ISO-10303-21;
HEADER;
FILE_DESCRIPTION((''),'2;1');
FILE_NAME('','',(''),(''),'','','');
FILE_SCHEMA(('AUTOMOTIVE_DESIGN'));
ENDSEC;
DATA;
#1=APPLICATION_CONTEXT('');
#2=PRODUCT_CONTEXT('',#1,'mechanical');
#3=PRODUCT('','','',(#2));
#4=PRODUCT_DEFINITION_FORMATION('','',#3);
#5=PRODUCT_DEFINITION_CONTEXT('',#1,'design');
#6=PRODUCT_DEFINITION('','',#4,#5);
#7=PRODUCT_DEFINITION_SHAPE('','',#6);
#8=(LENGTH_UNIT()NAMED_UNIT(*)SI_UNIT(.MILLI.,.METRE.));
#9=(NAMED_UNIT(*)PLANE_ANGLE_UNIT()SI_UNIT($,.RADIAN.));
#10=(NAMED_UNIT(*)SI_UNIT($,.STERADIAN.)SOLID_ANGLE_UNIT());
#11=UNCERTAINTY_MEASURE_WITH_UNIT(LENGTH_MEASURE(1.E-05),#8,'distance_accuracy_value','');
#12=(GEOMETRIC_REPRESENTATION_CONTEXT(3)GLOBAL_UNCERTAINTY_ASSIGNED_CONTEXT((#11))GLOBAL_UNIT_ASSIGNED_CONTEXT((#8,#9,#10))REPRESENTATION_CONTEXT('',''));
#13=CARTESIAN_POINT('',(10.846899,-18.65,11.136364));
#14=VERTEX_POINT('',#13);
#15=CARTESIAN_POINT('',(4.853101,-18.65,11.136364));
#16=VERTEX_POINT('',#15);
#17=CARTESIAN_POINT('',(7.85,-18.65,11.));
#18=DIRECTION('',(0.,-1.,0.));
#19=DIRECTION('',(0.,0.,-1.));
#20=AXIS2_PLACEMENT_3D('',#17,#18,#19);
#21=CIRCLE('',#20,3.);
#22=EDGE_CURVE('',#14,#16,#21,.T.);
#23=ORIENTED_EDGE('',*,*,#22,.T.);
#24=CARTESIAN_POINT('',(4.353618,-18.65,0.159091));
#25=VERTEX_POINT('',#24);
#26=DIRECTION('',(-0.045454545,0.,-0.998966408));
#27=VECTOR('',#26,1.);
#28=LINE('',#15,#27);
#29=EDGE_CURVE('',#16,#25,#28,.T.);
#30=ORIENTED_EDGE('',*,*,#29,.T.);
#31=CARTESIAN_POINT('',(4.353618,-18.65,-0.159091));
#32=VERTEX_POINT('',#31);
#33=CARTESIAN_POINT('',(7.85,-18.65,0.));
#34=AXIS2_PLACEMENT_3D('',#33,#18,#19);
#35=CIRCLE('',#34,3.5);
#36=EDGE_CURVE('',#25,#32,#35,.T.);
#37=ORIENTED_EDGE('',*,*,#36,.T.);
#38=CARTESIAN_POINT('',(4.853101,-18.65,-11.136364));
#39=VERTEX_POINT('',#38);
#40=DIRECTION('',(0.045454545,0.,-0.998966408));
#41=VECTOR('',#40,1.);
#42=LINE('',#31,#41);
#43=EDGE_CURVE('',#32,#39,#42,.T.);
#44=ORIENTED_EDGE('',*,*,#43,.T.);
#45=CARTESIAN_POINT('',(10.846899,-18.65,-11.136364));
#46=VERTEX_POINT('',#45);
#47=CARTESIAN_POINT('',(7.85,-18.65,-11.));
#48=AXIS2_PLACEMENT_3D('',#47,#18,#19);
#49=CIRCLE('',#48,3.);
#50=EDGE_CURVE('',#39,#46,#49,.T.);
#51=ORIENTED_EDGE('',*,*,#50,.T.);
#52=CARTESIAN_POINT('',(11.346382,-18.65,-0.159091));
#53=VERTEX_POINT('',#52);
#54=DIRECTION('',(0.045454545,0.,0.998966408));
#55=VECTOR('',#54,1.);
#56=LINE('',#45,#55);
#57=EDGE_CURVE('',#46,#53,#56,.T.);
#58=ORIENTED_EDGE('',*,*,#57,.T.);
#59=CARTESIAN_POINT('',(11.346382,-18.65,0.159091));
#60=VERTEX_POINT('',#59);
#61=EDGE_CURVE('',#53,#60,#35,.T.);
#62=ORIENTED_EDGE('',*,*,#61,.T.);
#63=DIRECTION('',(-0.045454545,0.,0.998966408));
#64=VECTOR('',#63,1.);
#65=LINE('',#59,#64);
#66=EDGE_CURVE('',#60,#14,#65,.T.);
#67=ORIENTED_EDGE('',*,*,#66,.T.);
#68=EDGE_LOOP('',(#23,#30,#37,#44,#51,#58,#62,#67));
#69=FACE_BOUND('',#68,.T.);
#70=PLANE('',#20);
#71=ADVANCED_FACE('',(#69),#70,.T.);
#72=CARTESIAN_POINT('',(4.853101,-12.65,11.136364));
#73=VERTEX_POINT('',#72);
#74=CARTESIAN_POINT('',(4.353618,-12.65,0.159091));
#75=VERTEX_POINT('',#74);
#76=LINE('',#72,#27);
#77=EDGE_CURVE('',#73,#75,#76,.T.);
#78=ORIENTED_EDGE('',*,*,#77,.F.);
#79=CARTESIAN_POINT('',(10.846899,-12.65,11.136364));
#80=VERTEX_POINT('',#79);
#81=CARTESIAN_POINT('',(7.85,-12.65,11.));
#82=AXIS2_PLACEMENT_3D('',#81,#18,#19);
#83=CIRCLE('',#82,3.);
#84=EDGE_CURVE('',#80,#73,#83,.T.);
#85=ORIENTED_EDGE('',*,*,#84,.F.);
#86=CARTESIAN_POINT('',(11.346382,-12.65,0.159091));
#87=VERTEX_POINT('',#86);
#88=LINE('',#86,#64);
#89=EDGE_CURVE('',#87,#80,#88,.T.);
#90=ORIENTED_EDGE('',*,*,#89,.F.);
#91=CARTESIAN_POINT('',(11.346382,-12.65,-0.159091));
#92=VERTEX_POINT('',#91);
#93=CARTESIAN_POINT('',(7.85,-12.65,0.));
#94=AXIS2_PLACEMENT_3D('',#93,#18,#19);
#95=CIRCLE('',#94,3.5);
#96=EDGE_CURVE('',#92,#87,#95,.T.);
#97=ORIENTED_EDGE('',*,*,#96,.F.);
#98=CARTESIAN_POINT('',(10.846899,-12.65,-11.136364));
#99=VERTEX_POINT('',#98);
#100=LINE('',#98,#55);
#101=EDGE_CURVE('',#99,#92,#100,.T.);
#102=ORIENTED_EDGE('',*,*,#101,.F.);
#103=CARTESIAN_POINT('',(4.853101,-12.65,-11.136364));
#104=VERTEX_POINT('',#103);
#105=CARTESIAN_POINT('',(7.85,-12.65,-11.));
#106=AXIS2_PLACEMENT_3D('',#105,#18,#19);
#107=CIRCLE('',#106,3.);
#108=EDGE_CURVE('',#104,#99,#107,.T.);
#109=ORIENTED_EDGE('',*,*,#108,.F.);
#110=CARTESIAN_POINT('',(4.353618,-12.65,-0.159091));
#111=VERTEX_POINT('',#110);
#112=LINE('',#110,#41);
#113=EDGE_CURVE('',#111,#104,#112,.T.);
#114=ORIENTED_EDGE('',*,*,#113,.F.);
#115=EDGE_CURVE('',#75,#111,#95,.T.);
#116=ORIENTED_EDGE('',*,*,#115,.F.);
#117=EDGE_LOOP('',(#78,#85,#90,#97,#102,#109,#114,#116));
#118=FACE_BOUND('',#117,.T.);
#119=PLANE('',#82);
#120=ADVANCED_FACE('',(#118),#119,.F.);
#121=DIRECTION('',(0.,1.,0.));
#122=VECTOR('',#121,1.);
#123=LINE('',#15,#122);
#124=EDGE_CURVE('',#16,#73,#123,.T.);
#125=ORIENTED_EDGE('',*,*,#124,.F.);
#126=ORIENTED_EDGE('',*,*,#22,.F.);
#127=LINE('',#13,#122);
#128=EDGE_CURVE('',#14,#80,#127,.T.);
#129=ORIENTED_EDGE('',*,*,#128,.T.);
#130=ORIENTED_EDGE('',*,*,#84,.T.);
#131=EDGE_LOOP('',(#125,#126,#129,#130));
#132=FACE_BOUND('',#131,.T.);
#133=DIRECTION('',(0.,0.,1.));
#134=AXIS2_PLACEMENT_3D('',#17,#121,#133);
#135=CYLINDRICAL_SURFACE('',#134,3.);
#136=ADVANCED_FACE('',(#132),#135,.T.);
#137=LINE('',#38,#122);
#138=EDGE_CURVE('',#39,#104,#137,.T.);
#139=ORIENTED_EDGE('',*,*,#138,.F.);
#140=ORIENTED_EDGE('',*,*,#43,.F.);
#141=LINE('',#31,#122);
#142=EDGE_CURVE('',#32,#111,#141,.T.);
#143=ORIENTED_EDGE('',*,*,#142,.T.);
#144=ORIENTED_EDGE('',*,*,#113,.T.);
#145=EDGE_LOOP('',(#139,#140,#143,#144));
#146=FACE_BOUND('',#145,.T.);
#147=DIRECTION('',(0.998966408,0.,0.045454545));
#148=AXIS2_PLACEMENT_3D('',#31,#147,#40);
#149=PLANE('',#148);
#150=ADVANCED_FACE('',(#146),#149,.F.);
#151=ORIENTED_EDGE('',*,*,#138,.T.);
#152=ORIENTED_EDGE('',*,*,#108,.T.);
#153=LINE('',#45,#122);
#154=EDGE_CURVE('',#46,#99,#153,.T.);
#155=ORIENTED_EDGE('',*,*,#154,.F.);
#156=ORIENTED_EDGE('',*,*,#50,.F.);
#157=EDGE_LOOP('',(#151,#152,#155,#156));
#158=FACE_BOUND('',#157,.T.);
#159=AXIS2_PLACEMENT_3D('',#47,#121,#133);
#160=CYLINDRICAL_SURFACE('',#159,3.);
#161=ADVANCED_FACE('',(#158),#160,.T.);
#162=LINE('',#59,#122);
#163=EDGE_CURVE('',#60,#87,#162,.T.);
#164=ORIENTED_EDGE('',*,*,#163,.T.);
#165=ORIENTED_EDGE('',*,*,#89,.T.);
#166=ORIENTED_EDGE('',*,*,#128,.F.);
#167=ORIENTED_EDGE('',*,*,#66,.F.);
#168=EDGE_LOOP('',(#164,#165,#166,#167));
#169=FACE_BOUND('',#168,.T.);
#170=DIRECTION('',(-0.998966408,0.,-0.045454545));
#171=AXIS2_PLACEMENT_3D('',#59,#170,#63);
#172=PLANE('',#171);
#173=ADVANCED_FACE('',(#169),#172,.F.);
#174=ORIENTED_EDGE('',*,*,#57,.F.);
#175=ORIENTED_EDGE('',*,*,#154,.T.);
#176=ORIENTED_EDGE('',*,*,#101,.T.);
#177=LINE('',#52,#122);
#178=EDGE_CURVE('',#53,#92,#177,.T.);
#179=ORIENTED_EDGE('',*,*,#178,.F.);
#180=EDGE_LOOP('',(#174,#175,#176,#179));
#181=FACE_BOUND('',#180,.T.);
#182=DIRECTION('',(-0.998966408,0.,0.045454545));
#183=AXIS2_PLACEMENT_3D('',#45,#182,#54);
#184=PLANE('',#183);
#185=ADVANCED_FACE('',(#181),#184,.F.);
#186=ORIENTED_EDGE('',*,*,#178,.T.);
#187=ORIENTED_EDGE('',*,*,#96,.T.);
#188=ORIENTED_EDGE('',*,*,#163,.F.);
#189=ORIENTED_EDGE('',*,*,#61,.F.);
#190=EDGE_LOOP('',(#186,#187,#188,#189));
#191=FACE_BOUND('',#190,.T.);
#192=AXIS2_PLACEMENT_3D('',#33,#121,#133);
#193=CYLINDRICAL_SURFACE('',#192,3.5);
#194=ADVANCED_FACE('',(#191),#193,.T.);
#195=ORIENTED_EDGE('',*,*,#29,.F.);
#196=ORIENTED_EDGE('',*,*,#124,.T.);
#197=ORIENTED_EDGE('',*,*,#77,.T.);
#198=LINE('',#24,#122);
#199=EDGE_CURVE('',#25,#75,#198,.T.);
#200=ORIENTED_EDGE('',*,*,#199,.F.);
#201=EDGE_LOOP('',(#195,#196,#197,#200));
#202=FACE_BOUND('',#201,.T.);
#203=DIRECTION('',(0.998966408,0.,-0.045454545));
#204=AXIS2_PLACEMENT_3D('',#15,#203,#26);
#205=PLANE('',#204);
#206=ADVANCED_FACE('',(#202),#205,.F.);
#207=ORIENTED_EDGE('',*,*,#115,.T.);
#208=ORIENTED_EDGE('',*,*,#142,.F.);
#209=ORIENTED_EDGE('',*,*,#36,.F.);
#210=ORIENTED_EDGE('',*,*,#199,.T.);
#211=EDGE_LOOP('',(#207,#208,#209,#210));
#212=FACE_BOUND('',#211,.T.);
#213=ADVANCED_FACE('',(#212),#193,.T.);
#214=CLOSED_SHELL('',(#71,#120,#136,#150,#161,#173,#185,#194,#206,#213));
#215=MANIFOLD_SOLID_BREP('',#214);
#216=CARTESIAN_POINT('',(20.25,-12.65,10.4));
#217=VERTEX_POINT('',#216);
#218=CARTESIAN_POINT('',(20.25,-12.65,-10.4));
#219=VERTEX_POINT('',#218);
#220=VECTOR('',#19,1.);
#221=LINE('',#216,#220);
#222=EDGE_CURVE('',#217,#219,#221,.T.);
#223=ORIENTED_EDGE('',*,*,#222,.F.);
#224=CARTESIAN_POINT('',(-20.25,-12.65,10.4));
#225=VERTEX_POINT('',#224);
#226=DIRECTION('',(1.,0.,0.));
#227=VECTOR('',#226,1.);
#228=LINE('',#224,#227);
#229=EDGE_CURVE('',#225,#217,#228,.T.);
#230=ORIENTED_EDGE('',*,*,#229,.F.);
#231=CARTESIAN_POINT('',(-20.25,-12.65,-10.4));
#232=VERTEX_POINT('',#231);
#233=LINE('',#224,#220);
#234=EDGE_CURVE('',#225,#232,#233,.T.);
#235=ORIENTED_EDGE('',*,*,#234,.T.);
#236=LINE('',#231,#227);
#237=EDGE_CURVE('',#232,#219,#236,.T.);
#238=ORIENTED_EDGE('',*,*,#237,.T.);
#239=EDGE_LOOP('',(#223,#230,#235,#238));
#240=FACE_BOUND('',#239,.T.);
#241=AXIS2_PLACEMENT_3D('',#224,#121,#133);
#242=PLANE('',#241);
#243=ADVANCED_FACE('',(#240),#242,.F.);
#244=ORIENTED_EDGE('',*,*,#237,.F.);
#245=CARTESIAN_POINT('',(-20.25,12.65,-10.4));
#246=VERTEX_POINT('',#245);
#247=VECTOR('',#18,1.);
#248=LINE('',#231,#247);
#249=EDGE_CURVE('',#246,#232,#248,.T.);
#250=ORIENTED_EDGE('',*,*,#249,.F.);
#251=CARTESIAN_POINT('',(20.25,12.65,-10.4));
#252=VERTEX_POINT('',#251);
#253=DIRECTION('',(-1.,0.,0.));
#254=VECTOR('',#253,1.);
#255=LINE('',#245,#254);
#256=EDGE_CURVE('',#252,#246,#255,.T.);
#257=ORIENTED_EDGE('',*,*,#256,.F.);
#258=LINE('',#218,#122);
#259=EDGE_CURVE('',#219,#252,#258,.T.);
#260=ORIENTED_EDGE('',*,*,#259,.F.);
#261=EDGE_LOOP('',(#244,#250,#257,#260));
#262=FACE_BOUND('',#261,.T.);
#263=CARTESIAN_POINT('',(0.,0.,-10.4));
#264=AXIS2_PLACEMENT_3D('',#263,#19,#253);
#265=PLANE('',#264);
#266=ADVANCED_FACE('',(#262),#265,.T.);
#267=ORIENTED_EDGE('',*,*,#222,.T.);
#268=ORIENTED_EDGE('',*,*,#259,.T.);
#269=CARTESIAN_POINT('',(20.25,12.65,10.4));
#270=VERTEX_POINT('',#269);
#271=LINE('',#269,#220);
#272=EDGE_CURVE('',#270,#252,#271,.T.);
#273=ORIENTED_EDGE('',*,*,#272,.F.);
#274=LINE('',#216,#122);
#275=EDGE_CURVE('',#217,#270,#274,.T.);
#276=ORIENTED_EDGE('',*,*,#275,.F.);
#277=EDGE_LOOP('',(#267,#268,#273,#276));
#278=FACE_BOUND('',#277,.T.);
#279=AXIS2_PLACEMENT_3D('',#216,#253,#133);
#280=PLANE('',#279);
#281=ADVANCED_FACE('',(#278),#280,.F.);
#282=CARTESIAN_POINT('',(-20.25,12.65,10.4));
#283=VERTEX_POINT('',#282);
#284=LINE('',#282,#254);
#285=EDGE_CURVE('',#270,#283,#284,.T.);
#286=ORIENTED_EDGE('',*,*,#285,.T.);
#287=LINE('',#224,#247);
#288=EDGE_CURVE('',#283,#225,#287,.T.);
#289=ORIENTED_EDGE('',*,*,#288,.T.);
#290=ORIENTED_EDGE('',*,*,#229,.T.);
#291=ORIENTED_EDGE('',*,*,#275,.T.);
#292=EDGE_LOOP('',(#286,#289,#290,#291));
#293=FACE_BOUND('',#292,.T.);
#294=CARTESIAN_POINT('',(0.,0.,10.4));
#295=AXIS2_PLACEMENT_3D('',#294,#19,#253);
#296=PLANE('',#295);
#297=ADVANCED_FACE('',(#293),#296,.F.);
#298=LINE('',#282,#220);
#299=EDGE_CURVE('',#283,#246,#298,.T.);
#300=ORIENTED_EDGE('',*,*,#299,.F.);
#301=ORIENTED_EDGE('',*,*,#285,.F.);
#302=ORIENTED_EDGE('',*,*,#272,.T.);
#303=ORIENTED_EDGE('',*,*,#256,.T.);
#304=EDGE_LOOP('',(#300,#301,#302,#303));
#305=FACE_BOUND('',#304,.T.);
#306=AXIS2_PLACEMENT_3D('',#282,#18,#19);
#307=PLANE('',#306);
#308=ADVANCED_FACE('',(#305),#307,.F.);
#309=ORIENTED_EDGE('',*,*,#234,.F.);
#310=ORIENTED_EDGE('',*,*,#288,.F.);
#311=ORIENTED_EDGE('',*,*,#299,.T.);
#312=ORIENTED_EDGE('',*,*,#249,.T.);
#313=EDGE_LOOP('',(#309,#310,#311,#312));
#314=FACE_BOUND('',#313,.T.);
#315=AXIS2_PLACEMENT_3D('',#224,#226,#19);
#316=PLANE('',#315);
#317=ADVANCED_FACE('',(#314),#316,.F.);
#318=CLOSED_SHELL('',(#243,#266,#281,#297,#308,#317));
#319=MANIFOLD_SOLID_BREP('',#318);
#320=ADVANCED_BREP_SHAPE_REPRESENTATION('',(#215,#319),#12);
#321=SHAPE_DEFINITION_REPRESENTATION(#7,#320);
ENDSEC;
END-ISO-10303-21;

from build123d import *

# Parameters (mm, degrees)
SKETCH1_W           = 40.5
SKETCH1_H           = 25.3
BOSS_EXTRUDE1_DEPTH = 10.4
BOSS_EXTRUDE2_DEPTH = 6


with BuildPart() as part:
    # Sketch1 → Boss-Extrude1 (new, symmetric)
    with BuildSketch(Plane.XY):
        Rectangle(SKETCH1_W, SKETCH1_H)
    extrude(amount=BOSS_EXTRUDE1_DEPTH, both=True)


with BuildPart() as body_2:
    # Sketch3 → Boss-Extrude2 (new body)
    with BuildSketch(Plane.XZ.offset(12.65)):
        with BuildLine():
            Line((4.353617572, -0.159090909), (4.853100776, -11.136363636))
            ThreePointArc((4.853100776, -11.136363636), (7.85, -14), (10.846899224, -11.136363636))
            Line((10.846899224, -11.136363636), (11.346382428, -0.159090909))
            ThreePointArc((11.346382428, -0.159090909), (11.35, 0), (11.346382428, 0.159090909))
            Line((11.346382428, 0.159090909), (10.846899224, 11.136363636))
            ThreePointArc((10.846899224, 11.136363636), (7.85, 14), (4.853100776, 11.136363636))
            Line((4.853100776, 11.136363636), (4.353617572, 0.159090909))
            ThreePointArc((4.353617572, 0.159090909), (4.35, 0), (4.353617572, -0.159090909))
        make_face()
    extrude(amount=BOSS_EXTRUDE2_DEPTH)


solid = Compound([part.part, body_2.part])
